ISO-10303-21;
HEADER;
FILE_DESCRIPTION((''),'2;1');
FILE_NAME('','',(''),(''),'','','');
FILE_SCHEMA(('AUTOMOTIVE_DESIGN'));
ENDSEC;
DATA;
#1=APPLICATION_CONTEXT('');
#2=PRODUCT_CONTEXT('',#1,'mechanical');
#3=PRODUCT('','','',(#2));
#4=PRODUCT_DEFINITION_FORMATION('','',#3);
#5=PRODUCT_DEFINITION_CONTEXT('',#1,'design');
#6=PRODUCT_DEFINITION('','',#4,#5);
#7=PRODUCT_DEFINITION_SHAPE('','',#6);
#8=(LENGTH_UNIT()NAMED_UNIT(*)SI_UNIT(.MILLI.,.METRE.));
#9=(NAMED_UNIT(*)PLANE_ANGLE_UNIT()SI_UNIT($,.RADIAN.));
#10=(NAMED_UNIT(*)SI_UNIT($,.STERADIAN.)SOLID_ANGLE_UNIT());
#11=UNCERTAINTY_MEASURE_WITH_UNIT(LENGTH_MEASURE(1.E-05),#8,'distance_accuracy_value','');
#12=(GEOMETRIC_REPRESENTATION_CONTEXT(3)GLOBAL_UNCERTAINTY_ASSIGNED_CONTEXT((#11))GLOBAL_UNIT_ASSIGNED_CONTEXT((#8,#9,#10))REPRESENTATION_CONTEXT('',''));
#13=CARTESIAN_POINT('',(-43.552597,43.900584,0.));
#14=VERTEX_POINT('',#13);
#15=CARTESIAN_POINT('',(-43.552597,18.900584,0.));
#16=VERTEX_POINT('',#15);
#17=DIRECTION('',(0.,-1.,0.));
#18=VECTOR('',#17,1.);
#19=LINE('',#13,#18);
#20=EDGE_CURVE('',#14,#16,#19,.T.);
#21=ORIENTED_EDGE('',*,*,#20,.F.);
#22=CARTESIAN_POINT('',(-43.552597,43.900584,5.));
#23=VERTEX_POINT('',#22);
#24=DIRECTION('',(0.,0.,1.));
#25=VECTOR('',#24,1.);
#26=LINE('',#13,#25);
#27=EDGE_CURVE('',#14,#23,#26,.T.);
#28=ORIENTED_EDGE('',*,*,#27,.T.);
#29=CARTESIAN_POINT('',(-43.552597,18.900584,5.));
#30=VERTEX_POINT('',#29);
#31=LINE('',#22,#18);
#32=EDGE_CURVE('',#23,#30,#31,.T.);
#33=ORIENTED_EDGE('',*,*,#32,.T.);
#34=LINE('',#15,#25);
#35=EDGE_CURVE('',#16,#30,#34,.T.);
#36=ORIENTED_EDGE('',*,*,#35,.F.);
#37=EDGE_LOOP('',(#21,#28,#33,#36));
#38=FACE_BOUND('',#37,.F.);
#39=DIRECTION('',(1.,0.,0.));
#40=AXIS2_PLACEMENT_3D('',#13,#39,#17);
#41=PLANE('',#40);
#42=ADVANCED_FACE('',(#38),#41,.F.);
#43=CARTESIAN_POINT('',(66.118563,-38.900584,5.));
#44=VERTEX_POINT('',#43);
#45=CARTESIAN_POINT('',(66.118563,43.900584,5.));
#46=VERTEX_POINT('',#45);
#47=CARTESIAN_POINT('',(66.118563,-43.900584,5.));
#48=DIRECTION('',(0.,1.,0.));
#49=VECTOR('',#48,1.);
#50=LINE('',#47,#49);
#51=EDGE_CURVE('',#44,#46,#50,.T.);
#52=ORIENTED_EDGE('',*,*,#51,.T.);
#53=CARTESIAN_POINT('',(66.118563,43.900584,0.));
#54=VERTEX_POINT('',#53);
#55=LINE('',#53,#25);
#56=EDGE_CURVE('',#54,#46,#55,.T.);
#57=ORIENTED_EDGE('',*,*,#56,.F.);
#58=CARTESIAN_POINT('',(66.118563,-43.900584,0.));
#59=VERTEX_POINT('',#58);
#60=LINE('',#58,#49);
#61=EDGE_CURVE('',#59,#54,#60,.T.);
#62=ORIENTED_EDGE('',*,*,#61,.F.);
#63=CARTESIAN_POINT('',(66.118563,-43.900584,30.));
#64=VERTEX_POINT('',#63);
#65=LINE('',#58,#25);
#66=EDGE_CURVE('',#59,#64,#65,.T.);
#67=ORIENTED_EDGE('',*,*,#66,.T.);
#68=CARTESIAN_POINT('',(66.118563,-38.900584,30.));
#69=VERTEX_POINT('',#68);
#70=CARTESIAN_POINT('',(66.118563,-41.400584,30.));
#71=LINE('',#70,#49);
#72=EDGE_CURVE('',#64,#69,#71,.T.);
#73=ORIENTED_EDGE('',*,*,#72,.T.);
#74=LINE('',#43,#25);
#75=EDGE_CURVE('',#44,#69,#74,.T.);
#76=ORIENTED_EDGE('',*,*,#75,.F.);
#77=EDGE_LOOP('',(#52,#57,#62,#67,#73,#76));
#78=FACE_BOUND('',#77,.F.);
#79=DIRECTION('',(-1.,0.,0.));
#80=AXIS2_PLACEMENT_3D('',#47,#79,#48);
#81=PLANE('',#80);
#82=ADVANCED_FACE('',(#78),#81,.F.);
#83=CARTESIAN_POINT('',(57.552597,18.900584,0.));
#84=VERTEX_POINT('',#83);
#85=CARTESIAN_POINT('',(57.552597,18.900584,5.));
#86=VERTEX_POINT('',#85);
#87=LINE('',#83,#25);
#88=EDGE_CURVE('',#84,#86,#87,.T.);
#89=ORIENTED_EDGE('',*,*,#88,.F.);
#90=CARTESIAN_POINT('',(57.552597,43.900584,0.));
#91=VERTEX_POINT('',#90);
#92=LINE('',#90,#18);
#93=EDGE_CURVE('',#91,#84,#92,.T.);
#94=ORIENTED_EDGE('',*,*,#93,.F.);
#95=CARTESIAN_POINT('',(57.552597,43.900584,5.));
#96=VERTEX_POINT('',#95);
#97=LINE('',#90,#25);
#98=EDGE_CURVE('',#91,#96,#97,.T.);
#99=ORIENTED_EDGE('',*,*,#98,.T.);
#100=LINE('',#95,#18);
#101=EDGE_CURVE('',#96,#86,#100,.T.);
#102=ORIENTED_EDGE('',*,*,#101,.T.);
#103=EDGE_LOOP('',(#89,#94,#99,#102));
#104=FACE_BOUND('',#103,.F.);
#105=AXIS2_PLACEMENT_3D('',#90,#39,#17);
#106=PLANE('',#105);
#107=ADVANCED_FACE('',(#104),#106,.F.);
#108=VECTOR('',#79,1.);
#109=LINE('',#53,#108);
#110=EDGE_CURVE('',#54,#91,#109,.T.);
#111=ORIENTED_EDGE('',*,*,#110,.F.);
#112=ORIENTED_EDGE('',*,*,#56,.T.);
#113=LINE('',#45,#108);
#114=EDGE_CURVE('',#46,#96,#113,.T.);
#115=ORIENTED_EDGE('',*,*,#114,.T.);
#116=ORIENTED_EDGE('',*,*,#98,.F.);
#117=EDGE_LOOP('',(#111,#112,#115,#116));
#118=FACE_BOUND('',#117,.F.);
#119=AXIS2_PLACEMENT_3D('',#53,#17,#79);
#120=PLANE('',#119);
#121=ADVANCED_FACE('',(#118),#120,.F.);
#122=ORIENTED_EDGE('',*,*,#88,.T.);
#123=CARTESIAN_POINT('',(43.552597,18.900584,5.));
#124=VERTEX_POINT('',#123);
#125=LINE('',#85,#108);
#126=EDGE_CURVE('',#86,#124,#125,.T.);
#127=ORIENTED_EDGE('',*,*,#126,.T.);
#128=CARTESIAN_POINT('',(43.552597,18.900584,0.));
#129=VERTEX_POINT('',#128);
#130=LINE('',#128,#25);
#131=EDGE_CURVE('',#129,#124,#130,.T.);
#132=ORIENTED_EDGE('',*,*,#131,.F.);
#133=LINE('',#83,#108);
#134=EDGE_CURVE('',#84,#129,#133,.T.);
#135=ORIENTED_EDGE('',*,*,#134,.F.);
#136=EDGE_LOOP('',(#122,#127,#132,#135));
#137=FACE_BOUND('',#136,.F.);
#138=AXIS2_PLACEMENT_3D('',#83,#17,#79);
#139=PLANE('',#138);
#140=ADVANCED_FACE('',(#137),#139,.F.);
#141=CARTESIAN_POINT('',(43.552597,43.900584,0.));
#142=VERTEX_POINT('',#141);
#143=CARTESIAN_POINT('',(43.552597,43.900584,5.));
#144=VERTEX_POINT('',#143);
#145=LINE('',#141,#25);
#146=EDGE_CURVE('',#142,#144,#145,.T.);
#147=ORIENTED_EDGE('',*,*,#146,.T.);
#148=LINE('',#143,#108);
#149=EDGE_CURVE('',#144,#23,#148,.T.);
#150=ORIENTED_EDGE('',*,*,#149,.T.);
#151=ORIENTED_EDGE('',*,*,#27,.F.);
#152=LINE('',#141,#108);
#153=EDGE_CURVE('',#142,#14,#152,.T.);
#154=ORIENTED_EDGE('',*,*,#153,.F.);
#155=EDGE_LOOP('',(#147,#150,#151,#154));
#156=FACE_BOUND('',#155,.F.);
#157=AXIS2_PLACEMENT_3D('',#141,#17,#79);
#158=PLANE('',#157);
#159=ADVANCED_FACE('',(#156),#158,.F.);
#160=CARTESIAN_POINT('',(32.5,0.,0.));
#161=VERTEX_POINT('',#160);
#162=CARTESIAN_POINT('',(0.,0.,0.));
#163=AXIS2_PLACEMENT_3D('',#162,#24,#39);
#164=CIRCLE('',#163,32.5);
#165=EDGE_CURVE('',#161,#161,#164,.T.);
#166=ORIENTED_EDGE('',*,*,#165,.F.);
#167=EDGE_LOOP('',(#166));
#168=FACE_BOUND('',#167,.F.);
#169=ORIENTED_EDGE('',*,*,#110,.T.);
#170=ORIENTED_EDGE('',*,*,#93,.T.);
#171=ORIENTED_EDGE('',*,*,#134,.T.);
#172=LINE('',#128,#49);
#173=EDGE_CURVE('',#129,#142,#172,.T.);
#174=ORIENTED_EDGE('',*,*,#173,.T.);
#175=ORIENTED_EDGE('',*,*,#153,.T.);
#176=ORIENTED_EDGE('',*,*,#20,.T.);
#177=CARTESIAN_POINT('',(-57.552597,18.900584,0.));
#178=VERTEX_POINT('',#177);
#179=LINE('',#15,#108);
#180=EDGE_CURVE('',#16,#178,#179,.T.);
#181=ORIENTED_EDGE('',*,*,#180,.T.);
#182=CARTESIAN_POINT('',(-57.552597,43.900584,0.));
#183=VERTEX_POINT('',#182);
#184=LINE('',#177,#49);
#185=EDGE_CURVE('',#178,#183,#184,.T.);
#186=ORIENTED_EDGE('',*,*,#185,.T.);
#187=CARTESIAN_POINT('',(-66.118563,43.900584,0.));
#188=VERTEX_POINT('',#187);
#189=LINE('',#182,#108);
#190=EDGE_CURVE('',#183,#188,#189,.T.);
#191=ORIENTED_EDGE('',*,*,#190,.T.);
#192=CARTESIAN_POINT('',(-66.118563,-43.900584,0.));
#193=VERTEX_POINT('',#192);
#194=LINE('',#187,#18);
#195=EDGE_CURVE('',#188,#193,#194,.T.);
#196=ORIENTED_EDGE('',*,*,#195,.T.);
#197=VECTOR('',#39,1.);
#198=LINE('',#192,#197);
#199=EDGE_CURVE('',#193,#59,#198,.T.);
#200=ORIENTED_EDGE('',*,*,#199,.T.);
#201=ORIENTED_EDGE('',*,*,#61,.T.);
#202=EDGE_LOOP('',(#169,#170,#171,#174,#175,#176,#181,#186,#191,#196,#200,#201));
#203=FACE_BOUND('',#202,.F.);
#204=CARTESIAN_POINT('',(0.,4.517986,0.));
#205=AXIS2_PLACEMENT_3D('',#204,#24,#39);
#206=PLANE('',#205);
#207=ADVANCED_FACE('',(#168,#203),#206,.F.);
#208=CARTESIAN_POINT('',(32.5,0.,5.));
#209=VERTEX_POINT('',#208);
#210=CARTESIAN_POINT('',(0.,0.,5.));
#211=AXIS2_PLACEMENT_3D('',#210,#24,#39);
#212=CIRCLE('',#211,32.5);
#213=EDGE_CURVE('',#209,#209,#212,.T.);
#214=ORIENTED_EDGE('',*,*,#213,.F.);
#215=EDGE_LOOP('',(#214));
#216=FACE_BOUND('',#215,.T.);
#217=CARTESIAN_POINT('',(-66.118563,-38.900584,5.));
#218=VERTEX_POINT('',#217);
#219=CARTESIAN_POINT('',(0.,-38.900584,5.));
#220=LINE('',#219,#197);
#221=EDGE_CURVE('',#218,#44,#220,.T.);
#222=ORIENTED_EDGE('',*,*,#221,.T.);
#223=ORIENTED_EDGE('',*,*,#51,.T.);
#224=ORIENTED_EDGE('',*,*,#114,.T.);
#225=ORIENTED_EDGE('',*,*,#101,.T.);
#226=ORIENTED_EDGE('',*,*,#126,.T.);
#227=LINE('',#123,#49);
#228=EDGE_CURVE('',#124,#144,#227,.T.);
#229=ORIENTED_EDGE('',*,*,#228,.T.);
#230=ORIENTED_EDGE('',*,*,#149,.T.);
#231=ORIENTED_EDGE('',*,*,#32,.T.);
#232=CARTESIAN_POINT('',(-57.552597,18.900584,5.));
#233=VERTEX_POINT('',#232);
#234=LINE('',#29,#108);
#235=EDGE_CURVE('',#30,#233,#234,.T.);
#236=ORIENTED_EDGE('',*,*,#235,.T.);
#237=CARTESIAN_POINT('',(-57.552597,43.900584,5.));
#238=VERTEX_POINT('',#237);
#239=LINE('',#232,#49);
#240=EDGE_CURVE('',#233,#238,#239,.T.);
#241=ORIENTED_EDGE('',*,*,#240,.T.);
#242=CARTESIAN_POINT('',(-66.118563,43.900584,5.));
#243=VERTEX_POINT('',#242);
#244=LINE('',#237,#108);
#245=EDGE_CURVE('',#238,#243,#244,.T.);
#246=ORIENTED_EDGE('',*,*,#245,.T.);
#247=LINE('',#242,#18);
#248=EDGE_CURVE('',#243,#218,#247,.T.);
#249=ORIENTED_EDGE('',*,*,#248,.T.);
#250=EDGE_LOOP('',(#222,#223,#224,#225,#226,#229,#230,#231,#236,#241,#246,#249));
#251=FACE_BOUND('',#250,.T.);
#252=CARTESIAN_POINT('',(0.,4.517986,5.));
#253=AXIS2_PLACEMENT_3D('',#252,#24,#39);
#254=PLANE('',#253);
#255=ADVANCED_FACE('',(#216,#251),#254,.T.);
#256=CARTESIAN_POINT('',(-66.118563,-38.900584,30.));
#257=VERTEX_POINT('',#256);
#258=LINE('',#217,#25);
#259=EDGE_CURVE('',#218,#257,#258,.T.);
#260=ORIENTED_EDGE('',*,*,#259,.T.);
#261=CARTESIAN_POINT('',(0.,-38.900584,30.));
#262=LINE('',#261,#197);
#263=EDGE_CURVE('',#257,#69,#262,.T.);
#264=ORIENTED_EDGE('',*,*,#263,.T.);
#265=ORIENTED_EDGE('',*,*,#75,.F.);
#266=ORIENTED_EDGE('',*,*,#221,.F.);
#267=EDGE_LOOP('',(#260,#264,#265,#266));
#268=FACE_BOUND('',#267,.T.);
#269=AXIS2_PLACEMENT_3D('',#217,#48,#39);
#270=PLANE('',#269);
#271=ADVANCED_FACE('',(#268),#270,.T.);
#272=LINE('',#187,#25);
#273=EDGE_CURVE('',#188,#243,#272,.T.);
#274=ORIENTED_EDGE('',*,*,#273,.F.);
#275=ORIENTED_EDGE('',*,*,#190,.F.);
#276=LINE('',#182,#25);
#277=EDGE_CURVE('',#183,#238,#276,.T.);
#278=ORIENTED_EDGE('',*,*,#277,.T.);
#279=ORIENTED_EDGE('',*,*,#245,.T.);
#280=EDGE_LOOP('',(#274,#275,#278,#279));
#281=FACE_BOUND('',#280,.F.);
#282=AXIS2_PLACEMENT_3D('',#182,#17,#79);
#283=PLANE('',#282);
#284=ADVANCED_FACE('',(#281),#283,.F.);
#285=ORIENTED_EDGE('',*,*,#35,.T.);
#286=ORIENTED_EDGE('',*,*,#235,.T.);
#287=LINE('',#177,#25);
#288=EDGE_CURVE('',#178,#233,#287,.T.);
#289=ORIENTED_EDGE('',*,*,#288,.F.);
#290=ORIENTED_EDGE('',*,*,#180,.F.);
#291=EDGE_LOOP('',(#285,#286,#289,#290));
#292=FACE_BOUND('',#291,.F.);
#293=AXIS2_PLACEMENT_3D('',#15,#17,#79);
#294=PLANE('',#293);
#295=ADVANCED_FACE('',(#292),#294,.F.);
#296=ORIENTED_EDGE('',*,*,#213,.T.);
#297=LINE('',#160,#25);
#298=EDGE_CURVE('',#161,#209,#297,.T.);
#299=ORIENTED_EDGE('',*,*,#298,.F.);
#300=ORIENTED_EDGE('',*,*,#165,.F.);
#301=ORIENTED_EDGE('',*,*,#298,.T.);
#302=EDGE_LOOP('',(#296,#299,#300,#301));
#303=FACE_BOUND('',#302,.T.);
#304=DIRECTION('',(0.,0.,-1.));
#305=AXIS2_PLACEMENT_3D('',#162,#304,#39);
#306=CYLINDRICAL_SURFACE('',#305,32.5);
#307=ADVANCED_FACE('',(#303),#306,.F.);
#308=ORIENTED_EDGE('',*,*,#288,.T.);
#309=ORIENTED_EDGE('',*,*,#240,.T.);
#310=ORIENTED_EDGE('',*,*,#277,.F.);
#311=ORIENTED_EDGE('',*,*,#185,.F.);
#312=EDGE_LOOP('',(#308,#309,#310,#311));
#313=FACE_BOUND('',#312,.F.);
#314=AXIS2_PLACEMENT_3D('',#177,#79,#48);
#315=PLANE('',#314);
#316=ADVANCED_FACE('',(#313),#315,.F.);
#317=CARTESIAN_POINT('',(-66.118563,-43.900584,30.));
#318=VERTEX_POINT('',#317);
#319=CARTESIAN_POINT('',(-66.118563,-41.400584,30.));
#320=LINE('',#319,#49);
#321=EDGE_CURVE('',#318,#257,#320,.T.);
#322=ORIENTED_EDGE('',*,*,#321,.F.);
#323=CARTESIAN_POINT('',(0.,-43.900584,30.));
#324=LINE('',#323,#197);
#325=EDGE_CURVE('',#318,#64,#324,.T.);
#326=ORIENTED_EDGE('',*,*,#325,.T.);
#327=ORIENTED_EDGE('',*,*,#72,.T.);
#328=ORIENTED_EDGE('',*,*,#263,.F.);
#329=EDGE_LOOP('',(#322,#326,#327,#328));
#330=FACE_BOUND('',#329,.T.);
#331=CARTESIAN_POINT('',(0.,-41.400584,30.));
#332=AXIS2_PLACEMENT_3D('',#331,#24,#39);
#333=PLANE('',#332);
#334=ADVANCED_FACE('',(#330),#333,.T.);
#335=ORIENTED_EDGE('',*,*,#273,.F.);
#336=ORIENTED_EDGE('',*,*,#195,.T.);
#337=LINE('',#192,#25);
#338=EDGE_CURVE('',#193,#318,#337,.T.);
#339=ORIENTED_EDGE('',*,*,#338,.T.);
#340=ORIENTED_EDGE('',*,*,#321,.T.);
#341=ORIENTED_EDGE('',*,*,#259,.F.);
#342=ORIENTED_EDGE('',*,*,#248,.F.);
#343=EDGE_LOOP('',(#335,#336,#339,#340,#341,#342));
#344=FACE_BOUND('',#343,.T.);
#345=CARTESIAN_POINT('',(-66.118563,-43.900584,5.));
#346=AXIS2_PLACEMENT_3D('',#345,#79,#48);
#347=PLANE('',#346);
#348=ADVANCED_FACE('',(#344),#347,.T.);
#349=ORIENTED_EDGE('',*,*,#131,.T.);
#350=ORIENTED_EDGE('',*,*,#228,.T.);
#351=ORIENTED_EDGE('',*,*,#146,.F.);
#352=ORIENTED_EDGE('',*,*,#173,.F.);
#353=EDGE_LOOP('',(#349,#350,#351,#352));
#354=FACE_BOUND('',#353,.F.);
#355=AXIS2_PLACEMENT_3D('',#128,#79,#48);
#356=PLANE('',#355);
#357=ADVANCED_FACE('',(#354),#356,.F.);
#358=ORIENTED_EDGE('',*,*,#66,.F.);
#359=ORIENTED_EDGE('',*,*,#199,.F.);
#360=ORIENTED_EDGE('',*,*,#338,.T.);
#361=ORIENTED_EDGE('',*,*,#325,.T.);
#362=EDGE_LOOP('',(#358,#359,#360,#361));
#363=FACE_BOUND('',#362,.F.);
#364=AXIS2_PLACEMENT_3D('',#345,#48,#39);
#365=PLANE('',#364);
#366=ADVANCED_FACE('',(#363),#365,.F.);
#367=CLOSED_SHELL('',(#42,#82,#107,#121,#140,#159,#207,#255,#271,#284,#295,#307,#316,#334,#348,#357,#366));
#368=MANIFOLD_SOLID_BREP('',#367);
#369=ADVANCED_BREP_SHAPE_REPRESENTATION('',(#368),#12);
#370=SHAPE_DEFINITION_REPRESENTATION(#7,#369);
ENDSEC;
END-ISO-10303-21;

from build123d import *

# Parameters (mm, degrees)
F0_R     = 32.5
F1_DEPTH = 5
F2_W     = 132.237126
F2_H     = 5
F3_DEPTH = 25


with BuildPart() as f1:
    # F0 (on Top) → F1 (new body)
    with BuildSketch(Plane.XY):
        Polygon((66.118563, -43.900584), (66.118563, 43.900584), (57.552597, 43.900584), (57.552597, 18.900584), (43.552597, 18.900584), (43.552597, 43.900584), (-43.552597, 43.900584), (-43.552597, 18.900584), (-57.552597, 18.900584), (-57.552597, 43.900584), (-66.118563, 43.900584), (-66.118563, -43.900584), align=None)
        Circle(F0_R, mode=Mode.SUBTRACT)
    extrude(amount=F1_DEPTH)

    # F2 (on face) → F3 (join)
    with BuildSketch(Plane.XY.offset(5)):
        with Locations((0, -41.400584)):
            Rectangle(F2_W, F2_H)
    extrude(amount=F3_DEPTH)


solid = f1.part
